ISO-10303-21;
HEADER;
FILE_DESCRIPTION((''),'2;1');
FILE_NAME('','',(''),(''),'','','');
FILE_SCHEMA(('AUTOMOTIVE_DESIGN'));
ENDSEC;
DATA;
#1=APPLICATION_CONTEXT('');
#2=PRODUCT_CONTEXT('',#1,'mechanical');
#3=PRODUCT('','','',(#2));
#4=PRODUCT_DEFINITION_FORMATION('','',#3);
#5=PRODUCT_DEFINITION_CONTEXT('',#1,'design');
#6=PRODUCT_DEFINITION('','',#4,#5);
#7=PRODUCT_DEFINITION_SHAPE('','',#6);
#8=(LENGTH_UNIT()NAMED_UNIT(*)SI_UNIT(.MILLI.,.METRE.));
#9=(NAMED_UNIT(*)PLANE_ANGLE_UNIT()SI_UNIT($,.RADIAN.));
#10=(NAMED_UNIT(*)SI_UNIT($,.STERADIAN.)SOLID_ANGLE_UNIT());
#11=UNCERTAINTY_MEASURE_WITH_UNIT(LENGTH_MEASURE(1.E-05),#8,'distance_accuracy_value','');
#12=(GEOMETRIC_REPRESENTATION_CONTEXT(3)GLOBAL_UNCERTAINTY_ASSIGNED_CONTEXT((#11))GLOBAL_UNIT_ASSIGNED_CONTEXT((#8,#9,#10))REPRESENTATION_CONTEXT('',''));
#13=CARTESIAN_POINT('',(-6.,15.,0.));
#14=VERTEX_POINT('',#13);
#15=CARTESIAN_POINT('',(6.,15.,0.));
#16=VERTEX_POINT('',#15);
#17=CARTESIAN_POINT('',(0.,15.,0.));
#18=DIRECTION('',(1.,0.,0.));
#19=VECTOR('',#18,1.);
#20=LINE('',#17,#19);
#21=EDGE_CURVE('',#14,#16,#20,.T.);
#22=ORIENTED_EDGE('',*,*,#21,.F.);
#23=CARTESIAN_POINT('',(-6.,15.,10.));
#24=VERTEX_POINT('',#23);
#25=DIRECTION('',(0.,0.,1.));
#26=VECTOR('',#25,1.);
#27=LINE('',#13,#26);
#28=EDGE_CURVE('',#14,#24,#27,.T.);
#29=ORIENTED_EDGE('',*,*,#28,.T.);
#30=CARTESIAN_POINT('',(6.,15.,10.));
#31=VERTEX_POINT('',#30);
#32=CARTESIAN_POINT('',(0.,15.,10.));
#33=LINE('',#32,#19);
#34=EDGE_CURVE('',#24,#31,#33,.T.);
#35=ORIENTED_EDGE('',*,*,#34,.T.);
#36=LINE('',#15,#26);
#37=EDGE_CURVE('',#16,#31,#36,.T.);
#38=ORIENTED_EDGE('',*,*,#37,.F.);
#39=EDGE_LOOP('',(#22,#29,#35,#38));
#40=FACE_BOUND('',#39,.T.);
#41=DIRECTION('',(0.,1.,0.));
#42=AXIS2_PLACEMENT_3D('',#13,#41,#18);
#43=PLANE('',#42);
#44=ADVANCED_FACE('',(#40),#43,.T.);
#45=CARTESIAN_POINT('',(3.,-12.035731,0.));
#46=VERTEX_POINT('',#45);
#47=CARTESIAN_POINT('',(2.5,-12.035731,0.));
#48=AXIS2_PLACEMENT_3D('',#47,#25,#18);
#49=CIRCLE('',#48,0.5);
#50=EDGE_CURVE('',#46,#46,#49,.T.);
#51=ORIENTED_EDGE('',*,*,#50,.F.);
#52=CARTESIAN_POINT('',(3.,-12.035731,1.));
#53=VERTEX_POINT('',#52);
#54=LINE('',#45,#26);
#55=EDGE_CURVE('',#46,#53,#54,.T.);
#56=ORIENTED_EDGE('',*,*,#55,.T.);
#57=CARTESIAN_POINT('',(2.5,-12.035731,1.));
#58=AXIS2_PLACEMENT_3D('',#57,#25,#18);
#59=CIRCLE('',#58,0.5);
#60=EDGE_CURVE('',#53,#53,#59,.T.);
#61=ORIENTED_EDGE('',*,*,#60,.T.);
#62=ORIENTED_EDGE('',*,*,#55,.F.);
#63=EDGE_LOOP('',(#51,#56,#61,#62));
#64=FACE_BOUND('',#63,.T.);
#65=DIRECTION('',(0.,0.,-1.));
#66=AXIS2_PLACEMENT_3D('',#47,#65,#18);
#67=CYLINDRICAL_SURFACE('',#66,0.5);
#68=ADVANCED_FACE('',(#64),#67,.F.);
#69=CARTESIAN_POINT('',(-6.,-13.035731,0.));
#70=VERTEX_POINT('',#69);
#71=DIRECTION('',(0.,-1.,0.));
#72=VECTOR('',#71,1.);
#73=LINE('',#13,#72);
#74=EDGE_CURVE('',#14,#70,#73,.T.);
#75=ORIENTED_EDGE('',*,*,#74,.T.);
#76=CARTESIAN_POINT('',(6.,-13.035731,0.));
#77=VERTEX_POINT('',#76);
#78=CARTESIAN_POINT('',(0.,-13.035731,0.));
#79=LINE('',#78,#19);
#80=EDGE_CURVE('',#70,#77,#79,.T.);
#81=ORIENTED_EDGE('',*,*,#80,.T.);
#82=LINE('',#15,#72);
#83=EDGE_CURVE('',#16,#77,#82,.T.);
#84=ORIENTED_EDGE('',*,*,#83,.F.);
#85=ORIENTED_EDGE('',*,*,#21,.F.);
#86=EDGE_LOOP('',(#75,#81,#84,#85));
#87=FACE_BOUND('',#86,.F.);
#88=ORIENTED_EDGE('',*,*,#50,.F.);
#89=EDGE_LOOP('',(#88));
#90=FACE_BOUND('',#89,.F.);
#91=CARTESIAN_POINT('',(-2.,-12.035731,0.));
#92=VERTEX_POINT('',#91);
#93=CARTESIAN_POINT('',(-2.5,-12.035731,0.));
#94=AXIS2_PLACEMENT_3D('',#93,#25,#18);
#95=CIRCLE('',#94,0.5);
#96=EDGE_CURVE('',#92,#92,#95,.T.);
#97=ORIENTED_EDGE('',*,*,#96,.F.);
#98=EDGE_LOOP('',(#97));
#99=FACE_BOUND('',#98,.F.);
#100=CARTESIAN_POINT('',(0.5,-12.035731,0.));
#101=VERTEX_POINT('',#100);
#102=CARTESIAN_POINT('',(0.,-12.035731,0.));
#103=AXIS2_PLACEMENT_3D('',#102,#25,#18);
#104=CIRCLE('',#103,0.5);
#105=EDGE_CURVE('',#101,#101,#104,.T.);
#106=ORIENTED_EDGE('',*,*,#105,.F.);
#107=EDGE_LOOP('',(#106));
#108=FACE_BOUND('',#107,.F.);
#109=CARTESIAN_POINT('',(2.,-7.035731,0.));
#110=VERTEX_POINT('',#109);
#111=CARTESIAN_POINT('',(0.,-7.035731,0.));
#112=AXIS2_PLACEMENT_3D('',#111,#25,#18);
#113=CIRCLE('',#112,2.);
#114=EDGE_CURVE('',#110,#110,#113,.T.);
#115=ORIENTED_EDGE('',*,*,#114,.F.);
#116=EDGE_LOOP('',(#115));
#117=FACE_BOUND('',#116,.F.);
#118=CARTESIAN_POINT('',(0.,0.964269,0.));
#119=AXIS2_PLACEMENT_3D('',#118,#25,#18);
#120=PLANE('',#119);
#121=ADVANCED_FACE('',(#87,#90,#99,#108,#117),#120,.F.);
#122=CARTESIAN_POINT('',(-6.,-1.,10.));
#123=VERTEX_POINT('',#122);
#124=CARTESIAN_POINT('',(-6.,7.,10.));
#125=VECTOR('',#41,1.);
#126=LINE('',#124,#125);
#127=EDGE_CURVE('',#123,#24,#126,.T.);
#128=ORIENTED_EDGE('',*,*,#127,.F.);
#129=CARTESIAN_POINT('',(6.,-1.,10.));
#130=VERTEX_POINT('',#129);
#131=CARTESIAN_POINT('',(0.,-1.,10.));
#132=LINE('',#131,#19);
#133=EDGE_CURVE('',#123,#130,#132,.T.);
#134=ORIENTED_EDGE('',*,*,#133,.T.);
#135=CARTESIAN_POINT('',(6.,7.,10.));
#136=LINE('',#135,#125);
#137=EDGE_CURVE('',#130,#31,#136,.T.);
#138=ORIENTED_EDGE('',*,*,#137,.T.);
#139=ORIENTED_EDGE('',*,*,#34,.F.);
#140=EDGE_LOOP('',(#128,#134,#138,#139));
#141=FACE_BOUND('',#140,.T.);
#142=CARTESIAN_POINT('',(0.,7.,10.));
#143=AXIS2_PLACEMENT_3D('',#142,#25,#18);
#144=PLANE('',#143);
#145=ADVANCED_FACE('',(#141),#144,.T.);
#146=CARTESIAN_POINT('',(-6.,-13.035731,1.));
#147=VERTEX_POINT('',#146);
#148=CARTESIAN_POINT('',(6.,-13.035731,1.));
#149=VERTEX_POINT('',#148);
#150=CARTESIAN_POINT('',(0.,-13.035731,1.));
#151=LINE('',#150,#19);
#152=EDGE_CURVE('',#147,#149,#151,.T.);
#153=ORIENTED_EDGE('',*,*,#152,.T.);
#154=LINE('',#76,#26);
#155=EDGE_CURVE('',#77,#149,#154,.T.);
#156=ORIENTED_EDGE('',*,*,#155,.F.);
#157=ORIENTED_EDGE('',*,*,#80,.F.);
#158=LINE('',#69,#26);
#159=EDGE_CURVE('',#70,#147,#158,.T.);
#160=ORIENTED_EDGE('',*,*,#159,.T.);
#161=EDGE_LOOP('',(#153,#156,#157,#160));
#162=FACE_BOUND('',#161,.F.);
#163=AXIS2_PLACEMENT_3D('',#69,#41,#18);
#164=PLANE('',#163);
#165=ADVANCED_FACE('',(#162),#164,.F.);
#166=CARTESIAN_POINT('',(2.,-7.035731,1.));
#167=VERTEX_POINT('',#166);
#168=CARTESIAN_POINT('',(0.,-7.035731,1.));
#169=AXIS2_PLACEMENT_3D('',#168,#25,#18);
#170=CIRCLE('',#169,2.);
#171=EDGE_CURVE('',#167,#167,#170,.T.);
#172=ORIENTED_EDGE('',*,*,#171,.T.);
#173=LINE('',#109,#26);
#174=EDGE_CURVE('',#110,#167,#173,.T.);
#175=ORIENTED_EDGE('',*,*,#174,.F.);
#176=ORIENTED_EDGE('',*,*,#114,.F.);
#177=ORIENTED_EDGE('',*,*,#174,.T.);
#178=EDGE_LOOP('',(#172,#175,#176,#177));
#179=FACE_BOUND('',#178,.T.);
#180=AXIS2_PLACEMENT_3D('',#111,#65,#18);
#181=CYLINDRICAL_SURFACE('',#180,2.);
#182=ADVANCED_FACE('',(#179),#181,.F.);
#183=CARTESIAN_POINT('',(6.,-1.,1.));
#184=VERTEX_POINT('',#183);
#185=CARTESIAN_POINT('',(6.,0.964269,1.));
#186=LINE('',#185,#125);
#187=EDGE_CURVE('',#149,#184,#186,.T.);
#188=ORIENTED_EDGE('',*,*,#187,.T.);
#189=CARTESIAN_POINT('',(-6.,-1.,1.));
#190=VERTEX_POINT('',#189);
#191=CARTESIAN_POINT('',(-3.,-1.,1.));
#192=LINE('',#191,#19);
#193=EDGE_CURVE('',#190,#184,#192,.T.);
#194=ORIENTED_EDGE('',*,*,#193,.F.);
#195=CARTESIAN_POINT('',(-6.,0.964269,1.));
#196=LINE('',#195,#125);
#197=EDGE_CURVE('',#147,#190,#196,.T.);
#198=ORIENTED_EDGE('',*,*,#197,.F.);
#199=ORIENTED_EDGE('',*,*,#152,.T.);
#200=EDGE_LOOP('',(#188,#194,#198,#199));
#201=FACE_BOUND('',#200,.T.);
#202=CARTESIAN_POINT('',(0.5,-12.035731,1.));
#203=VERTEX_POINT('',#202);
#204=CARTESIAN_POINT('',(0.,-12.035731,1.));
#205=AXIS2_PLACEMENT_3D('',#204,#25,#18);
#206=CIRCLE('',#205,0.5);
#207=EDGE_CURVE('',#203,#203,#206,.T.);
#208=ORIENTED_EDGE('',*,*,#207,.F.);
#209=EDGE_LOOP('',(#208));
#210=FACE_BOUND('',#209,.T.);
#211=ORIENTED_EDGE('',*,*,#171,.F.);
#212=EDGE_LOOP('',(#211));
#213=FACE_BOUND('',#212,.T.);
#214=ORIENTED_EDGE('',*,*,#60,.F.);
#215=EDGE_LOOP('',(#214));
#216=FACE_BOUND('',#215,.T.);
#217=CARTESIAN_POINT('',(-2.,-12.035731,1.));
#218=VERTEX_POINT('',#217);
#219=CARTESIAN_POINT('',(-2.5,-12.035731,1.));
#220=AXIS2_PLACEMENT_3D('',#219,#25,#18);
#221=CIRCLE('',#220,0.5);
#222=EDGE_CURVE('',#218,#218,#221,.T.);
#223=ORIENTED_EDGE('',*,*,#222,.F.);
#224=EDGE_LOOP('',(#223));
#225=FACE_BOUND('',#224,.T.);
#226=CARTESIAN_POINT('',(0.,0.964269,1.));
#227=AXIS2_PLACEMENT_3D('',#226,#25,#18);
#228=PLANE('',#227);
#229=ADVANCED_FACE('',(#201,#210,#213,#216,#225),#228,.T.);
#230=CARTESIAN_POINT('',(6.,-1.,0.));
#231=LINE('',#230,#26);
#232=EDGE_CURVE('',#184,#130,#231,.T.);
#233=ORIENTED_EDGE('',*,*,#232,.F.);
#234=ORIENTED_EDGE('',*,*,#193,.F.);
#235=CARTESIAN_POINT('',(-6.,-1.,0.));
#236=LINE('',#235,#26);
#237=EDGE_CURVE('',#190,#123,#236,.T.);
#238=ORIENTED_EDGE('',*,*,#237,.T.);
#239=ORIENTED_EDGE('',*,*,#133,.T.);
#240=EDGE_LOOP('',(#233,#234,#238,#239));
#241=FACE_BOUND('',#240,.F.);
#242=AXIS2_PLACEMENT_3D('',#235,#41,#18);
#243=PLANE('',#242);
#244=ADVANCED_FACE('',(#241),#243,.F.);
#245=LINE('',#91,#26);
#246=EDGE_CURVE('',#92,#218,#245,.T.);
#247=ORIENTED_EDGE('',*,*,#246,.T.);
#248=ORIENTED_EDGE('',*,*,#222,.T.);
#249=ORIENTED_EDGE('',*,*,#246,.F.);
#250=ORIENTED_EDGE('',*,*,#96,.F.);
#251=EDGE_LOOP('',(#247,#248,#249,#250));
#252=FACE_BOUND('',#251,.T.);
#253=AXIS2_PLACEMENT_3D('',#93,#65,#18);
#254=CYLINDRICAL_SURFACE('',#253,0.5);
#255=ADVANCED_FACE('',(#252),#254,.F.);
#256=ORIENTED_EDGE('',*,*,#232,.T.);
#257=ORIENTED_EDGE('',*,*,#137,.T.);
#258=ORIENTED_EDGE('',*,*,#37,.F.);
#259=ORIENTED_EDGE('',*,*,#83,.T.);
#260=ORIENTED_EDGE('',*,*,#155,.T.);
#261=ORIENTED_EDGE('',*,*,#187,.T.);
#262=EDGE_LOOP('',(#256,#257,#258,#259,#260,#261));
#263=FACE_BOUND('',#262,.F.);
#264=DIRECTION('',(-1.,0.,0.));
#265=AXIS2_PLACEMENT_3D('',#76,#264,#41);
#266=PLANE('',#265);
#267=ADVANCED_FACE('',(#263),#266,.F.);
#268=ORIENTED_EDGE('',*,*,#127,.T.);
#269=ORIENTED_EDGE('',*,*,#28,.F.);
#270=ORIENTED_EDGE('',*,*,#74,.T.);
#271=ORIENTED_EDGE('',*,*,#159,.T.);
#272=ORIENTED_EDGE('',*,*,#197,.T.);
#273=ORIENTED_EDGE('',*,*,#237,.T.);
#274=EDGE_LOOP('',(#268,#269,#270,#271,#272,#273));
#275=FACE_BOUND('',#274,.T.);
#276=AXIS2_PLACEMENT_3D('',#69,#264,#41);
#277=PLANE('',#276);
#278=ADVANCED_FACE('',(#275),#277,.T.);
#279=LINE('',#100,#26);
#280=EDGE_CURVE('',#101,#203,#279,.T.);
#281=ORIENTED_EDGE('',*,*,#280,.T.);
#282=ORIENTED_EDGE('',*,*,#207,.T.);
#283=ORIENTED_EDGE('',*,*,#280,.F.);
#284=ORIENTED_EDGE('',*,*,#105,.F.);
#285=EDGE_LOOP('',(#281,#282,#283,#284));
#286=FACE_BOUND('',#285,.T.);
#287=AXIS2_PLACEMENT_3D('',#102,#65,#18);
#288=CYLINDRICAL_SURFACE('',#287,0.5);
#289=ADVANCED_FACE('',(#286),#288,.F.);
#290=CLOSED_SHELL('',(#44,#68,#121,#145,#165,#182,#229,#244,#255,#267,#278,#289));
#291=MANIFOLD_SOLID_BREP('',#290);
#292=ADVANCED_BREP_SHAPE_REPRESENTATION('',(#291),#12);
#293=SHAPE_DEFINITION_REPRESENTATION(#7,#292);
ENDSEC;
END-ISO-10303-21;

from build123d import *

# Parameters (mm, degrees)
SKETCH_W   = 12
SKETCH_H   = 28
SKETCH_R   = 0.5
SKETCH_R_2 = 2
PAD_DEPTH  = 1
BOX_W      = 12
BOX_H      = 16
BOX_DEPTH  = 10


with BuildPart() as pad:
    # Sketch → Pad (new body)
    with BuildSketch(Plane.XY):
        with Locations((0, 0.964269)):
            Rectangle(SKETCH_W, SKETCH_H)
        with Locations((0, -12.035731)):
            Circle(SKETCH_R, mode=Mode.SUBTRACT)
        with Locations((2.5, -12.035731)):
            Circle(SKETCH_R, mode=Mode.SUBTRACT)
        with Locations((-2.5, -12.035731)):
            Circle(SKETCH_R, mode=Mode.SUBTRACT)
        with Locations((0, -7.035731)):
            Circle(SKETCH_R_2, mode=Mode.SUBTRACT)
    extrude(amount=PAD_DEPTH)


with BuildPart() as fusion:
    # Box → Box (new body)
    with BuildSketch(Plane(origin=(-6, -1, 0), x_dir=(1, 0, 0), z_dir=(0, 0, 1))):
        with Locations((6, 8)):
            Rectangle(BOX_W, BOX_H)
    extrude(amount=BOX_DEPTH)

    # Fusion: union Pad
    add(pad.part)


solid = fusion.part
